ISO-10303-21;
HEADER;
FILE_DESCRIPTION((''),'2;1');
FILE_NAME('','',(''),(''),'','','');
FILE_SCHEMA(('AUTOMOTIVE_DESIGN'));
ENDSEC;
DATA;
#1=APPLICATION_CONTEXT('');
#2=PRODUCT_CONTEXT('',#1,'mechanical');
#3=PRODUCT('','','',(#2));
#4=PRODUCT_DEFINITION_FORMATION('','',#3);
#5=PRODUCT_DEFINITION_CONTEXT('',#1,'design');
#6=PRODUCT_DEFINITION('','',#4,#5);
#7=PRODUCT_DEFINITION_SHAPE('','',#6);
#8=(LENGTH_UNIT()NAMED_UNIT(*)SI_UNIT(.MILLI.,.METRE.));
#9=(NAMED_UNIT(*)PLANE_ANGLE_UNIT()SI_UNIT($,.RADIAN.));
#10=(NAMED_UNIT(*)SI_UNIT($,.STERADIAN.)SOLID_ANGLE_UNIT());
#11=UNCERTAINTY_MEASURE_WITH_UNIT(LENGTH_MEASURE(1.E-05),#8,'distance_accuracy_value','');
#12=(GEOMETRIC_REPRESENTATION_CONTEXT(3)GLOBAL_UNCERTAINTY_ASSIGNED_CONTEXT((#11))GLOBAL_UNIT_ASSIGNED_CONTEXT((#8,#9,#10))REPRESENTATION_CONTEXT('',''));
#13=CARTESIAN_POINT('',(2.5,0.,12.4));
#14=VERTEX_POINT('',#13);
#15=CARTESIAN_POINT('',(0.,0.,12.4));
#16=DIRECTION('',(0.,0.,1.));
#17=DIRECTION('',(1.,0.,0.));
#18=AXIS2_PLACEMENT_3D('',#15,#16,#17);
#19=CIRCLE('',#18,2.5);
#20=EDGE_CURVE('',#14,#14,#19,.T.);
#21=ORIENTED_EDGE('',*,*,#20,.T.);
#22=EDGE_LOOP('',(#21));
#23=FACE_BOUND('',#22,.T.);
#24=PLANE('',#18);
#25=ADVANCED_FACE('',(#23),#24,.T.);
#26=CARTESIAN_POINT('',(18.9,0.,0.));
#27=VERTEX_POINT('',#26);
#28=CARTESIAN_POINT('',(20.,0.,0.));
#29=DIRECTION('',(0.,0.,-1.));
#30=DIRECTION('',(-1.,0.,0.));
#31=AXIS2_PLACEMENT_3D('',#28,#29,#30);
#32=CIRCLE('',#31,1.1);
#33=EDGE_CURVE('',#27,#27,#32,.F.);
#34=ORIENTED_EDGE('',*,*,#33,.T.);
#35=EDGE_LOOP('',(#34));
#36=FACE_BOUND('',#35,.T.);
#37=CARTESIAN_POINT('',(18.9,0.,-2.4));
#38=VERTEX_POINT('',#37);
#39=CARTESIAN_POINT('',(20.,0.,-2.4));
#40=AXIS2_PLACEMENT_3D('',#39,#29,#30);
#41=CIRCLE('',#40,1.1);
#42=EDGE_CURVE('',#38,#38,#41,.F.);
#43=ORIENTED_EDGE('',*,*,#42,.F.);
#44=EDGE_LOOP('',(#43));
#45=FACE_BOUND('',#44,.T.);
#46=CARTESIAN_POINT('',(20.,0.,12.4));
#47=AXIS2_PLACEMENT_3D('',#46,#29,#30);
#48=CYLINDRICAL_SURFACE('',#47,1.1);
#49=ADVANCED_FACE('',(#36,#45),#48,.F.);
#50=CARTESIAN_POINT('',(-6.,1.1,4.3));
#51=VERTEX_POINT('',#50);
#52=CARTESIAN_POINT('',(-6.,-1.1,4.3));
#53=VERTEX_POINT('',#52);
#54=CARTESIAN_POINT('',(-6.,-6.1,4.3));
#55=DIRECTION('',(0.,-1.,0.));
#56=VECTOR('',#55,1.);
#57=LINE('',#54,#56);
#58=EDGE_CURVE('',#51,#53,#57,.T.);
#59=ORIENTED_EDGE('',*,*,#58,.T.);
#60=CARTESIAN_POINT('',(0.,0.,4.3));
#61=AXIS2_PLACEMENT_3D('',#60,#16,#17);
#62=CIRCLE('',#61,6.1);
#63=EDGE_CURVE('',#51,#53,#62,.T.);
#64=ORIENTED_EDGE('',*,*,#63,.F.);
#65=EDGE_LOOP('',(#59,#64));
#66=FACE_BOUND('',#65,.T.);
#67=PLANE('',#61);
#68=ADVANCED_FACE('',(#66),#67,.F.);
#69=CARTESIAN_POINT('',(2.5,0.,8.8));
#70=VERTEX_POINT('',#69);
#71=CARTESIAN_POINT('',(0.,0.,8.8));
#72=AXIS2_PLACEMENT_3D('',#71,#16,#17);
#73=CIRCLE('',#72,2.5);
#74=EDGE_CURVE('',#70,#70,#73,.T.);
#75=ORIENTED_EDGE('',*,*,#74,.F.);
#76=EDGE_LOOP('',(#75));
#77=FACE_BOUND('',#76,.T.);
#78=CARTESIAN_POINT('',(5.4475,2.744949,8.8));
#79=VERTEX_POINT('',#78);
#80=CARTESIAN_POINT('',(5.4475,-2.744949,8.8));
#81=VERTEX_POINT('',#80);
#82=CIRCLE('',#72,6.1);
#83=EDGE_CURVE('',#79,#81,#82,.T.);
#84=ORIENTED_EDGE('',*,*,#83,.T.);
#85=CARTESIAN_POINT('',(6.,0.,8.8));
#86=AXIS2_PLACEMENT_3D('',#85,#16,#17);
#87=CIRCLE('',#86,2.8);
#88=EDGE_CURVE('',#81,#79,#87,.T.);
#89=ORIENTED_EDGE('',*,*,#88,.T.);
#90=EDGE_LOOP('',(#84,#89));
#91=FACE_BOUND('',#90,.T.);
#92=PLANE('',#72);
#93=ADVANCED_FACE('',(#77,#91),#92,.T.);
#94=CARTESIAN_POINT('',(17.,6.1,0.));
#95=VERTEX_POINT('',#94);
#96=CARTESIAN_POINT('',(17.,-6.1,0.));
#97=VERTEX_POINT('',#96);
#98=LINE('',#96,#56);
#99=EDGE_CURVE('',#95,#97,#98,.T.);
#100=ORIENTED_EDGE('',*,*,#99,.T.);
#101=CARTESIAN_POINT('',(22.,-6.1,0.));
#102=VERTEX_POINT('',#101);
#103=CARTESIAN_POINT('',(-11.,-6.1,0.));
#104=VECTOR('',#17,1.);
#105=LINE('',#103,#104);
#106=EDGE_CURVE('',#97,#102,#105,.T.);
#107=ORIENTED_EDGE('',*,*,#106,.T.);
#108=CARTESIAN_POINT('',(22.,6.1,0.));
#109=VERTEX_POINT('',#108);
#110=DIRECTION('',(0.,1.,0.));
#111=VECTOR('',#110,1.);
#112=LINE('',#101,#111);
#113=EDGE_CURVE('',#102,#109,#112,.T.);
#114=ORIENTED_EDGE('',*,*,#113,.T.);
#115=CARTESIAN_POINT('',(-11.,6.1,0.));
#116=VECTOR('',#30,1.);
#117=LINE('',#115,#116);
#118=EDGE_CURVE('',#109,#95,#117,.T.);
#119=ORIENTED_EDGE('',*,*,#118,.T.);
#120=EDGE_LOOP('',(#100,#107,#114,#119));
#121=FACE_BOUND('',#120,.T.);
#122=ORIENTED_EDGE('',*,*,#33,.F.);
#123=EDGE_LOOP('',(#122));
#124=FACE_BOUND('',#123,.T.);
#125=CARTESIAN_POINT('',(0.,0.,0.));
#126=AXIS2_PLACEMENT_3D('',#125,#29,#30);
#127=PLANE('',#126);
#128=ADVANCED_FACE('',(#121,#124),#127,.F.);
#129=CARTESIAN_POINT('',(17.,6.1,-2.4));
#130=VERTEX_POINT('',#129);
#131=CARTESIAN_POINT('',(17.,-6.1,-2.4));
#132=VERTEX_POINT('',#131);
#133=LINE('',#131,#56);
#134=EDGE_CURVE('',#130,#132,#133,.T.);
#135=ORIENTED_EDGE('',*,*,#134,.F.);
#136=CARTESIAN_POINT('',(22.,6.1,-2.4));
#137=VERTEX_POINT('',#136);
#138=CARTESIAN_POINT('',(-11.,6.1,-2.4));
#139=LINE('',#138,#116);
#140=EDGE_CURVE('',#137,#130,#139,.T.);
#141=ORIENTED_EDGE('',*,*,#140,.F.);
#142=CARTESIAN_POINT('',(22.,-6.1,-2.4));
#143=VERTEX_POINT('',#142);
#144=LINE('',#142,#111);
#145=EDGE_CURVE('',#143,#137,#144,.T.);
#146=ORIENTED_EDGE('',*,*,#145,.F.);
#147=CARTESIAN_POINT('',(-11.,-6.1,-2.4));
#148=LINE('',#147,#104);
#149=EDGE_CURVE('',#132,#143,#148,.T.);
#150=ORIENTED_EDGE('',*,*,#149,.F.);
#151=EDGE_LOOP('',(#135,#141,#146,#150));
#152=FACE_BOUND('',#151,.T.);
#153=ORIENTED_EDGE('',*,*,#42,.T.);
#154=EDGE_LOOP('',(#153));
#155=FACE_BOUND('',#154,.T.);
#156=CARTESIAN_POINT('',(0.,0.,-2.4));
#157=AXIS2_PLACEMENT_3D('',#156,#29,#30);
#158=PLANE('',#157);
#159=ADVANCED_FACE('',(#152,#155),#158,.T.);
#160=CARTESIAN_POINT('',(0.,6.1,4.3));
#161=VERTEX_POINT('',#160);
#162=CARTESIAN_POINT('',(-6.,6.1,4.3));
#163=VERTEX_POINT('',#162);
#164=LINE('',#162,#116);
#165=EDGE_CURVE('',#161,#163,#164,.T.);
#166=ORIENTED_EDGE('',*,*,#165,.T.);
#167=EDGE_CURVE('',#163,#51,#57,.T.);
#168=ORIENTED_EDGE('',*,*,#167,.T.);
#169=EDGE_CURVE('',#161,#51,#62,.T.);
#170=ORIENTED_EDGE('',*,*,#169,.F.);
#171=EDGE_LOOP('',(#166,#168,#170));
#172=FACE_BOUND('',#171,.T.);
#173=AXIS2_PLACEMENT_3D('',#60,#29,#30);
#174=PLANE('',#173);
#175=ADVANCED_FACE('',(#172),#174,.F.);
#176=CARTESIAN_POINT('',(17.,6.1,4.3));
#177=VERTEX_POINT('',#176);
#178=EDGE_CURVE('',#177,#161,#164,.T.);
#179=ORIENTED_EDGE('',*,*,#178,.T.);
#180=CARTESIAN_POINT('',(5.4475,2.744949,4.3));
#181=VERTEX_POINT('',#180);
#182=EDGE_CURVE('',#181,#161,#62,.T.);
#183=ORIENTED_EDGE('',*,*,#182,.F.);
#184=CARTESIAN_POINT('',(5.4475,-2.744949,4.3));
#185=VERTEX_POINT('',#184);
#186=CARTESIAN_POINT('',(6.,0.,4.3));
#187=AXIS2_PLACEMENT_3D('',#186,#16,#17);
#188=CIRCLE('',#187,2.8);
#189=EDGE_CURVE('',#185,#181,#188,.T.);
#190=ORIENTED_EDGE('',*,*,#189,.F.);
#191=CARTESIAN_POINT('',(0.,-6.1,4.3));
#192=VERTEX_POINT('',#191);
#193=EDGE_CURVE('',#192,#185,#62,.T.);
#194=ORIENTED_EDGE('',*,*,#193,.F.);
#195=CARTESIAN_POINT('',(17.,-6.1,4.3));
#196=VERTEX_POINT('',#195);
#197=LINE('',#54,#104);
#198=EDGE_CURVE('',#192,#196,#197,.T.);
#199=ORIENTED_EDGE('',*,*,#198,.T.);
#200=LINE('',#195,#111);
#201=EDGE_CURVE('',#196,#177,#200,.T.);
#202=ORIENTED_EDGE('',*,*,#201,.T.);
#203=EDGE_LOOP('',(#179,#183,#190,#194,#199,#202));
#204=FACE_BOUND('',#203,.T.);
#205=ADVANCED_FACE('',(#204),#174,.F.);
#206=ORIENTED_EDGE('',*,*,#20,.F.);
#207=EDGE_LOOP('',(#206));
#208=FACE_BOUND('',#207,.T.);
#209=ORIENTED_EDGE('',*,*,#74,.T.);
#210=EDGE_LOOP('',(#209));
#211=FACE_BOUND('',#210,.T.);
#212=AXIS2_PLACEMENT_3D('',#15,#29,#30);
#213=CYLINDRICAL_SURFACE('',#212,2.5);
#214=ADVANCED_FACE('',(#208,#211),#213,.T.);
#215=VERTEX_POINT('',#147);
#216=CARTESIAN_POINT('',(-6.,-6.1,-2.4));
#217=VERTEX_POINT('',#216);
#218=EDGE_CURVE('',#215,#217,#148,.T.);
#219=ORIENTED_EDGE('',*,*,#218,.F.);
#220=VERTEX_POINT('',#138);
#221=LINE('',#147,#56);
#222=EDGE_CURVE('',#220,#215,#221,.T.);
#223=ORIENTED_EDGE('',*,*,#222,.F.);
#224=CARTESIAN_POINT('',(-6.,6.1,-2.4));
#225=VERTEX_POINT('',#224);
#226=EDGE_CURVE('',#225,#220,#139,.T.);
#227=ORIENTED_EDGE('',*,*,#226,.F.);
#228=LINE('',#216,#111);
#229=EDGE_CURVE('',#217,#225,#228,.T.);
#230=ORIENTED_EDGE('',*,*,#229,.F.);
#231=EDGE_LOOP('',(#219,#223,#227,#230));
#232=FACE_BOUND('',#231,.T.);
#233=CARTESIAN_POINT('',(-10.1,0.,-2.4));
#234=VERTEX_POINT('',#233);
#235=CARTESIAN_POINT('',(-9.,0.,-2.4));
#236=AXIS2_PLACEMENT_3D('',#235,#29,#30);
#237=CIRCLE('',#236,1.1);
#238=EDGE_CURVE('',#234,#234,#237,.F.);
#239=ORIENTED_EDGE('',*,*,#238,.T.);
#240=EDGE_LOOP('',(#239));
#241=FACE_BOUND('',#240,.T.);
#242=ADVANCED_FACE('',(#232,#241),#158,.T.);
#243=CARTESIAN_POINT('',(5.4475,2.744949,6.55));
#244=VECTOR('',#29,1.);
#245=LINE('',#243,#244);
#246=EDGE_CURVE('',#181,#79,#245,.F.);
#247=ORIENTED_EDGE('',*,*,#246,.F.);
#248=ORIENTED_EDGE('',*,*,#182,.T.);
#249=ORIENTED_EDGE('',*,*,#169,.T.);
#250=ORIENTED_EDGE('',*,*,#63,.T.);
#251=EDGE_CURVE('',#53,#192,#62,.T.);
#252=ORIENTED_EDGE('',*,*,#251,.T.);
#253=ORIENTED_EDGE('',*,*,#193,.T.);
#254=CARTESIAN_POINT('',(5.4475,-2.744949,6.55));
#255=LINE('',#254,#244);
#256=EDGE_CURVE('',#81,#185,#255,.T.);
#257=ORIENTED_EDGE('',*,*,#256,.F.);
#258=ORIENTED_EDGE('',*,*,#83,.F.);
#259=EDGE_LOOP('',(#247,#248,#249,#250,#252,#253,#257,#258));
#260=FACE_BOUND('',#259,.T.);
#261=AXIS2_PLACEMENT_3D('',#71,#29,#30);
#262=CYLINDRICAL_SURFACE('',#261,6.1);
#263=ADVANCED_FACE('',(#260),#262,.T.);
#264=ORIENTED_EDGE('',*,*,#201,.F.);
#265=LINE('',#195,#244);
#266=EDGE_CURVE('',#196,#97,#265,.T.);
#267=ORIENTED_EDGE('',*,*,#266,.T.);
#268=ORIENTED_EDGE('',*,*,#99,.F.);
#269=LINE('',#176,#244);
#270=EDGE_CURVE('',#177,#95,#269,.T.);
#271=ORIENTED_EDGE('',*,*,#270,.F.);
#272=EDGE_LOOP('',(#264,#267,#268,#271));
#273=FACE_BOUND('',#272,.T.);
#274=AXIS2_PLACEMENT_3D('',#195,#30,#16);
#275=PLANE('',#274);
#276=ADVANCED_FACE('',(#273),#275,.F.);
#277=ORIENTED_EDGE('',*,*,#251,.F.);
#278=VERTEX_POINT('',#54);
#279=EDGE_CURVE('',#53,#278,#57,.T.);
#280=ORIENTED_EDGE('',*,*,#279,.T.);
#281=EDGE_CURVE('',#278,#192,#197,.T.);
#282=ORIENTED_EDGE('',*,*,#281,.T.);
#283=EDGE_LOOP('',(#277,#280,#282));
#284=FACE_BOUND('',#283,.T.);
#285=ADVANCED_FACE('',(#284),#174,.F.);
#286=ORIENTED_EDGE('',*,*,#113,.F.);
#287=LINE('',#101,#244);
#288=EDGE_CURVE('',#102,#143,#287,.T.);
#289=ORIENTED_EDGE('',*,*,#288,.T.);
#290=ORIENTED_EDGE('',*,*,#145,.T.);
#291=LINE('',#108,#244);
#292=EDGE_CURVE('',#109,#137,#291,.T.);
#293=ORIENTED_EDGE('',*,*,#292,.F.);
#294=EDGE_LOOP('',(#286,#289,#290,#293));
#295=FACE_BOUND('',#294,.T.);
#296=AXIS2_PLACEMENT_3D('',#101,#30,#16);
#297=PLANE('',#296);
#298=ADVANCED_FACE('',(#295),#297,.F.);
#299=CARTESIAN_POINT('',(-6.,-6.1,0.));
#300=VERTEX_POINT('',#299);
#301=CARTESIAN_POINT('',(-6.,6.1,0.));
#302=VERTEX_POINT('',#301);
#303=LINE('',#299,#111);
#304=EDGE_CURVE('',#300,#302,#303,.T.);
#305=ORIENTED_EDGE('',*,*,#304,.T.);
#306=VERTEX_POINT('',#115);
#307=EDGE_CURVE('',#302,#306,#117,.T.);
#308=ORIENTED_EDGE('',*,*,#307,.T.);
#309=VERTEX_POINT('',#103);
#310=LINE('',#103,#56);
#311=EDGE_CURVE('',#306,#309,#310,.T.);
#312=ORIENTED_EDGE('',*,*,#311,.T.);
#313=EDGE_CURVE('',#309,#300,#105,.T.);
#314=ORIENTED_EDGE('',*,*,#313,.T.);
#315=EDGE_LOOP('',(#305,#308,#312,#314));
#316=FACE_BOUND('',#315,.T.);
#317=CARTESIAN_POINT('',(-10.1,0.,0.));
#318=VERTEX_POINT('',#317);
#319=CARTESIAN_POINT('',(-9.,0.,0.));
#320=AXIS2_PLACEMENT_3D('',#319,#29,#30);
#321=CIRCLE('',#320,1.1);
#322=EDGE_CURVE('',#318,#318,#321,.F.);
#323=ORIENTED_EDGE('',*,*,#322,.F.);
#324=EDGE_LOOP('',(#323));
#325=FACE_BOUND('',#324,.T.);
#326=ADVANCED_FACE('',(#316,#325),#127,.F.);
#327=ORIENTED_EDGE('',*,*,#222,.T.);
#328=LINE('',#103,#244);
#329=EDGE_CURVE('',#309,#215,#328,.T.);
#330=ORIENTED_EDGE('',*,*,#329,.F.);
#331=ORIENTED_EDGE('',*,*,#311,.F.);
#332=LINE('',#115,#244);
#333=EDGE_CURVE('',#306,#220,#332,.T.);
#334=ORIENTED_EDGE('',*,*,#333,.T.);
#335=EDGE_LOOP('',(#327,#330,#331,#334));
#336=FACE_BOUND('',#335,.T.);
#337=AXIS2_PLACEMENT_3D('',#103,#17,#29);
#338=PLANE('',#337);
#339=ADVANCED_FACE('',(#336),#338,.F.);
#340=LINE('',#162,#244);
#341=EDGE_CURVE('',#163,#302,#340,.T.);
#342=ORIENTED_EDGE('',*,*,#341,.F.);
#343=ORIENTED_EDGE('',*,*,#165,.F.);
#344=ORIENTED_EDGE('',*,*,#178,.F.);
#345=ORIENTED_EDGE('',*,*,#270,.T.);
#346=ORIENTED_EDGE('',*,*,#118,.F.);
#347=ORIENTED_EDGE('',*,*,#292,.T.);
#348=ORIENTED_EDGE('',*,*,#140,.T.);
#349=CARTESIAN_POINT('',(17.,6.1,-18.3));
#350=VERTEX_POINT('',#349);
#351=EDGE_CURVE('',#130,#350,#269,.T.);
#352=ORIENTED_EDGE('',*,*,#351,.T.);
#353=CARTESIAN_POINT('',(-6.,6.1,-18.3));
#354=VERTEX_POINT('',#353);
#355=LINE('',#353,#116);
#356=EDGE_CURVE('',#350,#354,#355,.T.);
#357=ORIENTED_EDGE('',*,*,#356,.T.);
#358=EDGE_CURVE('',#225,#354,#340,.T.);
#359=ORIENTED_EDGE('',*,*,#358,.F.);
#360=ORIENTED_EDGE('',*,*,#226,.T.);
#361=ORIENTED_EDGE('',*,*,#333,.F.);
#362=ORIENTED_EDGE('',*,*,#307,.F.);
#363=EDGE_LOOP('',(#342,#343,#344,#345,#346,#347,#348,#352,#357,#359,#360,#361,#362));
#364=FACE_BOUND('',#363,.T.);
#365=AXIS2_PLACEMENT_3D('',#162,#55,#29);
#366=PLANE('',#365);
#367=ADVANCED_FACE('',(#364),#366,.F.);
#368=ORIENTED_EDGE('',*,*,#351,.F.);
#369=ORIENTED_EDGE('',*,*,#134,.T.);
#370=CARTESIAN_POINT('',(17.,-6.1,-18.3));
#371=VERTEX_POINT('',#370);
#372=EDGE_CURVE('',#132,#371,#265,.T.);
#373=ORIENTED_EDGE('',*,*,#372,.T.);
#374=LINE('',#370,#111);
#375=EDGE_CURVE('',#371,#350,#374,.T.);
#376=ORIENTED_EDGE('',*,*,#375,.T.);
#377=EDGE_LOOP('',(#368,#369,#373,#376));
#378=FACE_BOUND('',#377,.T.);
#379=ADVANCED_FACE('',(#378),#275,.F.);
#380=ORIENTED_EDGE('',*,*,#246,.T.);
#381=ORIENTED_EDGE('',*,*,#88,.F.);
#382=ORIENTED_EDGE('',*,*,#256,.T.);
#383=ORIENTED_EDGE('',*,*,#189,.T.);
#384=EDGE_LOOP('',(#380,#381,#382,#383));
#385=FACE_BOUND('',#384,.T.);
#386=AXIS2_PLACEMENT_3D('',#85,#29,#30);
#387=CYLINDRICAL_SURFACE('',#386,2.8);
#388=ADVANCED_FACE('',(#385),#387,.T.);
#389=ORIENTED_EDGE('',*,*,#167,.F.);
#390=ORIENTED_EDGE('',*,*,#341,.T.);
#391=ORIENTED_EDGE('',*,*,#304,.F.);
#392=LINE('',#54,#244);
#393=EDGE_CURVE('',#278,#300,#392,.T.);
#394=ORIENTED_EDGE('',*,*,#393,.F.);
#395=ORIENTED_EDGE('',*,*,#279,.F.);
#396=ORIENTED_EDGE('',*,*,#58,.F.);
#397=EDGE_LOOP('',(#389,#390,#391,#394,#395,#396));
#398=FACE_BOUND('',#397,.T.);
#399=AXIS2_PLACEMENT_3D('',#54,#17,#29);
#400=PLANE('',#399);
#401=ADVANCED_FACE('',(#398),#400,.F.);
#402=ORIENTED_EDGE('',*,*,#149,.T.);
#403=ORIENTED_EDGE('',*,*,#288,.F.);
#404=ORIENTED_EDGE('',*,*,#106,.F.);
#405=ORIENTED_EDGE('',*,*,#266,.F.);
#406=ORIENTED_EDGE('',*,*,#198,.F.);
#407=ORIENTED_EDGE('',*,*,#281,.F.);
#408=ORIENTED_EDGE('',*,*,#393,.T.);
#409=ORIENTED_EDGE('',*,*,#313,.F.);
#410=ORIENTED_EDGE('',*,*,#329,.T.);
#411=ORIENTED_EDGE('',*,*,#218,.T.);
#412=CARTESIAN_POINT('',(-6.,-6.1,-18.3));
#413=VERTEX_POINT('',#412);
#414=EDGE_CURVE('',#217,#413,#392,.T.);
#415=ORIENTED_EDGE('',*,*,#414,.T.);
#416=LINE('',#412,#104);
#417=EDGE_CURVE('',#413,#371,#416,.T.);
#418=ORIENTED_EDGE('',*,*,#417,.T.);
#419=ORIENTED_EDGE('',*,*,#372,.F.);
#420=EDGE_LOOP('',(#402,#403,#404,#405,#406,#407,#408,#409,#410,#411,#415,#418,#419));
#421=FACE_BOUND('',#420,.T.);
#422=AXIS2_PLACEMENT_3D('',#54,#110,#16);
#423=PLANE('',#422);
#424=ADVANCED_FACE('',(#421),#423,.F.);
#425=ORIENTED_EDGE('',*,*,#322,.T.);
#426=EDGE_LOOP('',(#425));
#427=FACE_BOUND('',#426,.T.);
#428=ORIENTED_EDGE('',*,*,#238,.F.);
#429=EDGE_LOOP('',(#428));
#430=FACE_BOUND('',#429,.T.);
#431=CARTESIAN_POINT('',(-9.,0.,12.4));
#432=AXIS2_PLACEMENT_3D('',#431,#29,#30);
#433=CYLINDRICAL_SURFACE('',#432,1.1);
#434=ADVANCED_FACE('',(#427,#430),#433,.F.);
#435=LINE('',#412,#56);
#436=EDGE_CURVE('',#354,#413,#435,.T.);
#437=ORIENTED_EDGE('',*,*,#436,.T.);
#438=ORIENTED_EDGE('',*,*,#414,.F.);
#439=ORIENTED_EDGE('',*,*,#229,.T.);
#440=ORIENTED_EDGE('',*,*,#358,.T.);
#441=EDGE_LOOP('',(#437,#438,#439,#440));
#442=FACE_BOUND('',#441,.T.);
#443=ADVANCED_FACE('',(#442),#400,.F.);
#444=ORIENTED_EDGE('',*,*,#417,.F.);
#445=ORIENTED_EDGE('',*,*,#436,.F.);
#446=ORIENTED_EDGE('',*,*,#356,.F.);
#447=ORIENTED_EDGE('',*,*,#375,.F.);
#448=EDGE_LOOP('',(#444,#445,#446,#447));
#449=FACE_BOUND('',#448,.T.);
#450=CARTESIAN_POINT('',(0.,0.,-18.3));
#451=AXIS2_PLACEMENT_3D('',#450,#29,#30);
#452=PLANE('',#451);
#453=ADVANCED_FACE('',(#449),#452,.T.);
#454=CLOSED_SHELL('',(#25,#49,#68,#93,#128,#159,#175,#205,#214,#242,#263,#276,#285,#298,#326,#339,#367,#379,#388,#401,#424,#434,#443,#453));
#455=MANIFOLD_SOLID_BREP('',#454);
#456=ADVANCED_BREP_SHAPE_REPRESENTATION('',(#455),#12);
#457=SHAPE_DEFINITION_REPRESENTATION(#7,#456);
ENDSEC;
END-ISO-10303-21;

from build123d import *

# Parameters (mm, degrees)
CASE_CONSERVATIVE_PLAN_23X12P2_START     = -18.3
CASE_CONSERVATIVE_PLAN_23X12P2_PROFILE_W = 23
CASE_CONSERVATIVE_PLAN_23X12P2_PROFILE_H = 12.2
CASE_CONSERVATIVE_PLAN_23X12P2_DEPTH     = 22.6
MOUNTING_EARS_33X12P2_START              = -2.4
MOUNTING_EARS_33X12P2_PROFILE_W          = 33
MOUNTING_EARS_33X12P2_PROFILE_H          = 12.2
MOUNTING_EARS_33X12P2_DEPTH              = 2.4
RAISED_GEAR_COVER_ENVELOPE_START         = 4.3
RAISED_GEAR_COVER_ENVELOPE_PROFILE_R     = 6.1
RAISED_GEAR_COVER_ENVELOPE_DEPTH         = 4.5
SECONDARY_GEAR_COVER_ENVELOPE_START      = 4.3
SECONDARY_GEAR_COVER_ENVELOPE_PROFILE_R  = 2.8
SECONDARY_GEAR_COVER_ENVELOPE_DEPTH      = 4.5
OUTPUT_ENVELOPE_NOT_SPLINE_START         = 8.8
OUTPUT_ENVELOPE_NOT_SPLINE_PROFILE_R     = 2.5
OUTPUT_ENVELOPE_NOT_SPLINE_DEPTH         = 3.6
MOUNTING_HOLES_NOMINAL_START             = -50
MOUNTING_HOLES_NOMINAL_PROFILE_R         = 1.1
MOUNTING_HOLES_NOMINAL_DEPTH             = 80.259186592


with BuildPart() as part:
    # Case_conservative_plan_23x12p2_profile → Case_conservative_plan_23x12p2 (new body)
    with BuildSketch(Plane.XY.offset(CASE_CONSERVATIVE_PLAN_23X12P2_START)):
        with Locations((5.5, 0)):
            Rectangle(CASE_CONSERVATIVE_PLAN_23X12P2_PROFILE_W, CASE_CONSERVATIVE_PLAN_23X12P2_PROFILE_H)
    extrude(amount=CASE_CONSERVATIVE_PLAN_23X12P2_DEPTH)

    # Mounting_ears_33x12p2_profile → Mounting_ears_33x12p2 (add)
    with BuildSketch(Plane.XY.offset(MOUNTING_EARS_33X12P2_START)):
        with Locations((5.5, 0)):
            Rectangle(MOUNTING_EARS_33X12P2_PROFILE_W, MOUNTING_EARS_33X12P2_PROFILE_H)
    extrude(amount=MOUNTING_EARS_33X12P2_DEPTH)

    # Raised_gear_cover_envelope_profile → Raised_gear_cover_envelope (add)
    with BuildSketch(Plane.XY.offset(RAISED_GEAR_COVER_ENVELOPE_START)):
        with Locations(Location((0, 0, 0), (0, 0, 169.611142185))):
            Circle(RAISED_GEAR_COVER_ENVELOPE_PROFILE_R)
    extrude(amount=RAISED_GEAR_COVER_ENVELOPE_DEPTH)

    # Secondary_gear_cover_envelope_profile → Secondary_gear_cover_envelope (add)
    with BuildSketch(Plane.XY.offset(SECONDARY_GEAR_COVER_ENVELOPE_START)):
        with Locations((6, 0)):
            Circle(SECONDARY_GEAR_COVER_ENVELOPE_PROFILE_R)
    extrude(amount=SECONDARY_GEAR_COVER_ENVELOPE_DEPTH)

    # Output_envelope_not_spline_profile → Output_envelope_not_spline (add)
    with BuildSketch(Plane.XY.offset(OUTPUT_ENVELOPE_NOT_SPLINE_START)):
        Circle(OUTPUT_ENVELOPE_NOT_SPLINE_PROFILE_R)
    extrude(amount=OUTPUT_ENVELOPE_NOT_SPLINE_DEPTH)

    # Mounting_holes_nominal_profile → Mounting_holes_nominal (cut, through all)
    with BuildSketch(Plane.XY.offset(MOUNTING_HOLES_NOMINAL_START)):
        with Locations(Location((-9, 0, 0), (0, 0, 180))):
            Circle(MOUNTING_HOLES_NOMINAL_PROFILE_R)
        with Locations(Location((20, 0, 0), (0, 0, 180))):
            Circle(MOUNTING_HOLES_NOMINAL_PROFILE_R)
    extrude(amount=MOUNTING_HOLES_NOMINAL_DEPTH, mode=Mode.SUBTRACT)


solid = part.part
